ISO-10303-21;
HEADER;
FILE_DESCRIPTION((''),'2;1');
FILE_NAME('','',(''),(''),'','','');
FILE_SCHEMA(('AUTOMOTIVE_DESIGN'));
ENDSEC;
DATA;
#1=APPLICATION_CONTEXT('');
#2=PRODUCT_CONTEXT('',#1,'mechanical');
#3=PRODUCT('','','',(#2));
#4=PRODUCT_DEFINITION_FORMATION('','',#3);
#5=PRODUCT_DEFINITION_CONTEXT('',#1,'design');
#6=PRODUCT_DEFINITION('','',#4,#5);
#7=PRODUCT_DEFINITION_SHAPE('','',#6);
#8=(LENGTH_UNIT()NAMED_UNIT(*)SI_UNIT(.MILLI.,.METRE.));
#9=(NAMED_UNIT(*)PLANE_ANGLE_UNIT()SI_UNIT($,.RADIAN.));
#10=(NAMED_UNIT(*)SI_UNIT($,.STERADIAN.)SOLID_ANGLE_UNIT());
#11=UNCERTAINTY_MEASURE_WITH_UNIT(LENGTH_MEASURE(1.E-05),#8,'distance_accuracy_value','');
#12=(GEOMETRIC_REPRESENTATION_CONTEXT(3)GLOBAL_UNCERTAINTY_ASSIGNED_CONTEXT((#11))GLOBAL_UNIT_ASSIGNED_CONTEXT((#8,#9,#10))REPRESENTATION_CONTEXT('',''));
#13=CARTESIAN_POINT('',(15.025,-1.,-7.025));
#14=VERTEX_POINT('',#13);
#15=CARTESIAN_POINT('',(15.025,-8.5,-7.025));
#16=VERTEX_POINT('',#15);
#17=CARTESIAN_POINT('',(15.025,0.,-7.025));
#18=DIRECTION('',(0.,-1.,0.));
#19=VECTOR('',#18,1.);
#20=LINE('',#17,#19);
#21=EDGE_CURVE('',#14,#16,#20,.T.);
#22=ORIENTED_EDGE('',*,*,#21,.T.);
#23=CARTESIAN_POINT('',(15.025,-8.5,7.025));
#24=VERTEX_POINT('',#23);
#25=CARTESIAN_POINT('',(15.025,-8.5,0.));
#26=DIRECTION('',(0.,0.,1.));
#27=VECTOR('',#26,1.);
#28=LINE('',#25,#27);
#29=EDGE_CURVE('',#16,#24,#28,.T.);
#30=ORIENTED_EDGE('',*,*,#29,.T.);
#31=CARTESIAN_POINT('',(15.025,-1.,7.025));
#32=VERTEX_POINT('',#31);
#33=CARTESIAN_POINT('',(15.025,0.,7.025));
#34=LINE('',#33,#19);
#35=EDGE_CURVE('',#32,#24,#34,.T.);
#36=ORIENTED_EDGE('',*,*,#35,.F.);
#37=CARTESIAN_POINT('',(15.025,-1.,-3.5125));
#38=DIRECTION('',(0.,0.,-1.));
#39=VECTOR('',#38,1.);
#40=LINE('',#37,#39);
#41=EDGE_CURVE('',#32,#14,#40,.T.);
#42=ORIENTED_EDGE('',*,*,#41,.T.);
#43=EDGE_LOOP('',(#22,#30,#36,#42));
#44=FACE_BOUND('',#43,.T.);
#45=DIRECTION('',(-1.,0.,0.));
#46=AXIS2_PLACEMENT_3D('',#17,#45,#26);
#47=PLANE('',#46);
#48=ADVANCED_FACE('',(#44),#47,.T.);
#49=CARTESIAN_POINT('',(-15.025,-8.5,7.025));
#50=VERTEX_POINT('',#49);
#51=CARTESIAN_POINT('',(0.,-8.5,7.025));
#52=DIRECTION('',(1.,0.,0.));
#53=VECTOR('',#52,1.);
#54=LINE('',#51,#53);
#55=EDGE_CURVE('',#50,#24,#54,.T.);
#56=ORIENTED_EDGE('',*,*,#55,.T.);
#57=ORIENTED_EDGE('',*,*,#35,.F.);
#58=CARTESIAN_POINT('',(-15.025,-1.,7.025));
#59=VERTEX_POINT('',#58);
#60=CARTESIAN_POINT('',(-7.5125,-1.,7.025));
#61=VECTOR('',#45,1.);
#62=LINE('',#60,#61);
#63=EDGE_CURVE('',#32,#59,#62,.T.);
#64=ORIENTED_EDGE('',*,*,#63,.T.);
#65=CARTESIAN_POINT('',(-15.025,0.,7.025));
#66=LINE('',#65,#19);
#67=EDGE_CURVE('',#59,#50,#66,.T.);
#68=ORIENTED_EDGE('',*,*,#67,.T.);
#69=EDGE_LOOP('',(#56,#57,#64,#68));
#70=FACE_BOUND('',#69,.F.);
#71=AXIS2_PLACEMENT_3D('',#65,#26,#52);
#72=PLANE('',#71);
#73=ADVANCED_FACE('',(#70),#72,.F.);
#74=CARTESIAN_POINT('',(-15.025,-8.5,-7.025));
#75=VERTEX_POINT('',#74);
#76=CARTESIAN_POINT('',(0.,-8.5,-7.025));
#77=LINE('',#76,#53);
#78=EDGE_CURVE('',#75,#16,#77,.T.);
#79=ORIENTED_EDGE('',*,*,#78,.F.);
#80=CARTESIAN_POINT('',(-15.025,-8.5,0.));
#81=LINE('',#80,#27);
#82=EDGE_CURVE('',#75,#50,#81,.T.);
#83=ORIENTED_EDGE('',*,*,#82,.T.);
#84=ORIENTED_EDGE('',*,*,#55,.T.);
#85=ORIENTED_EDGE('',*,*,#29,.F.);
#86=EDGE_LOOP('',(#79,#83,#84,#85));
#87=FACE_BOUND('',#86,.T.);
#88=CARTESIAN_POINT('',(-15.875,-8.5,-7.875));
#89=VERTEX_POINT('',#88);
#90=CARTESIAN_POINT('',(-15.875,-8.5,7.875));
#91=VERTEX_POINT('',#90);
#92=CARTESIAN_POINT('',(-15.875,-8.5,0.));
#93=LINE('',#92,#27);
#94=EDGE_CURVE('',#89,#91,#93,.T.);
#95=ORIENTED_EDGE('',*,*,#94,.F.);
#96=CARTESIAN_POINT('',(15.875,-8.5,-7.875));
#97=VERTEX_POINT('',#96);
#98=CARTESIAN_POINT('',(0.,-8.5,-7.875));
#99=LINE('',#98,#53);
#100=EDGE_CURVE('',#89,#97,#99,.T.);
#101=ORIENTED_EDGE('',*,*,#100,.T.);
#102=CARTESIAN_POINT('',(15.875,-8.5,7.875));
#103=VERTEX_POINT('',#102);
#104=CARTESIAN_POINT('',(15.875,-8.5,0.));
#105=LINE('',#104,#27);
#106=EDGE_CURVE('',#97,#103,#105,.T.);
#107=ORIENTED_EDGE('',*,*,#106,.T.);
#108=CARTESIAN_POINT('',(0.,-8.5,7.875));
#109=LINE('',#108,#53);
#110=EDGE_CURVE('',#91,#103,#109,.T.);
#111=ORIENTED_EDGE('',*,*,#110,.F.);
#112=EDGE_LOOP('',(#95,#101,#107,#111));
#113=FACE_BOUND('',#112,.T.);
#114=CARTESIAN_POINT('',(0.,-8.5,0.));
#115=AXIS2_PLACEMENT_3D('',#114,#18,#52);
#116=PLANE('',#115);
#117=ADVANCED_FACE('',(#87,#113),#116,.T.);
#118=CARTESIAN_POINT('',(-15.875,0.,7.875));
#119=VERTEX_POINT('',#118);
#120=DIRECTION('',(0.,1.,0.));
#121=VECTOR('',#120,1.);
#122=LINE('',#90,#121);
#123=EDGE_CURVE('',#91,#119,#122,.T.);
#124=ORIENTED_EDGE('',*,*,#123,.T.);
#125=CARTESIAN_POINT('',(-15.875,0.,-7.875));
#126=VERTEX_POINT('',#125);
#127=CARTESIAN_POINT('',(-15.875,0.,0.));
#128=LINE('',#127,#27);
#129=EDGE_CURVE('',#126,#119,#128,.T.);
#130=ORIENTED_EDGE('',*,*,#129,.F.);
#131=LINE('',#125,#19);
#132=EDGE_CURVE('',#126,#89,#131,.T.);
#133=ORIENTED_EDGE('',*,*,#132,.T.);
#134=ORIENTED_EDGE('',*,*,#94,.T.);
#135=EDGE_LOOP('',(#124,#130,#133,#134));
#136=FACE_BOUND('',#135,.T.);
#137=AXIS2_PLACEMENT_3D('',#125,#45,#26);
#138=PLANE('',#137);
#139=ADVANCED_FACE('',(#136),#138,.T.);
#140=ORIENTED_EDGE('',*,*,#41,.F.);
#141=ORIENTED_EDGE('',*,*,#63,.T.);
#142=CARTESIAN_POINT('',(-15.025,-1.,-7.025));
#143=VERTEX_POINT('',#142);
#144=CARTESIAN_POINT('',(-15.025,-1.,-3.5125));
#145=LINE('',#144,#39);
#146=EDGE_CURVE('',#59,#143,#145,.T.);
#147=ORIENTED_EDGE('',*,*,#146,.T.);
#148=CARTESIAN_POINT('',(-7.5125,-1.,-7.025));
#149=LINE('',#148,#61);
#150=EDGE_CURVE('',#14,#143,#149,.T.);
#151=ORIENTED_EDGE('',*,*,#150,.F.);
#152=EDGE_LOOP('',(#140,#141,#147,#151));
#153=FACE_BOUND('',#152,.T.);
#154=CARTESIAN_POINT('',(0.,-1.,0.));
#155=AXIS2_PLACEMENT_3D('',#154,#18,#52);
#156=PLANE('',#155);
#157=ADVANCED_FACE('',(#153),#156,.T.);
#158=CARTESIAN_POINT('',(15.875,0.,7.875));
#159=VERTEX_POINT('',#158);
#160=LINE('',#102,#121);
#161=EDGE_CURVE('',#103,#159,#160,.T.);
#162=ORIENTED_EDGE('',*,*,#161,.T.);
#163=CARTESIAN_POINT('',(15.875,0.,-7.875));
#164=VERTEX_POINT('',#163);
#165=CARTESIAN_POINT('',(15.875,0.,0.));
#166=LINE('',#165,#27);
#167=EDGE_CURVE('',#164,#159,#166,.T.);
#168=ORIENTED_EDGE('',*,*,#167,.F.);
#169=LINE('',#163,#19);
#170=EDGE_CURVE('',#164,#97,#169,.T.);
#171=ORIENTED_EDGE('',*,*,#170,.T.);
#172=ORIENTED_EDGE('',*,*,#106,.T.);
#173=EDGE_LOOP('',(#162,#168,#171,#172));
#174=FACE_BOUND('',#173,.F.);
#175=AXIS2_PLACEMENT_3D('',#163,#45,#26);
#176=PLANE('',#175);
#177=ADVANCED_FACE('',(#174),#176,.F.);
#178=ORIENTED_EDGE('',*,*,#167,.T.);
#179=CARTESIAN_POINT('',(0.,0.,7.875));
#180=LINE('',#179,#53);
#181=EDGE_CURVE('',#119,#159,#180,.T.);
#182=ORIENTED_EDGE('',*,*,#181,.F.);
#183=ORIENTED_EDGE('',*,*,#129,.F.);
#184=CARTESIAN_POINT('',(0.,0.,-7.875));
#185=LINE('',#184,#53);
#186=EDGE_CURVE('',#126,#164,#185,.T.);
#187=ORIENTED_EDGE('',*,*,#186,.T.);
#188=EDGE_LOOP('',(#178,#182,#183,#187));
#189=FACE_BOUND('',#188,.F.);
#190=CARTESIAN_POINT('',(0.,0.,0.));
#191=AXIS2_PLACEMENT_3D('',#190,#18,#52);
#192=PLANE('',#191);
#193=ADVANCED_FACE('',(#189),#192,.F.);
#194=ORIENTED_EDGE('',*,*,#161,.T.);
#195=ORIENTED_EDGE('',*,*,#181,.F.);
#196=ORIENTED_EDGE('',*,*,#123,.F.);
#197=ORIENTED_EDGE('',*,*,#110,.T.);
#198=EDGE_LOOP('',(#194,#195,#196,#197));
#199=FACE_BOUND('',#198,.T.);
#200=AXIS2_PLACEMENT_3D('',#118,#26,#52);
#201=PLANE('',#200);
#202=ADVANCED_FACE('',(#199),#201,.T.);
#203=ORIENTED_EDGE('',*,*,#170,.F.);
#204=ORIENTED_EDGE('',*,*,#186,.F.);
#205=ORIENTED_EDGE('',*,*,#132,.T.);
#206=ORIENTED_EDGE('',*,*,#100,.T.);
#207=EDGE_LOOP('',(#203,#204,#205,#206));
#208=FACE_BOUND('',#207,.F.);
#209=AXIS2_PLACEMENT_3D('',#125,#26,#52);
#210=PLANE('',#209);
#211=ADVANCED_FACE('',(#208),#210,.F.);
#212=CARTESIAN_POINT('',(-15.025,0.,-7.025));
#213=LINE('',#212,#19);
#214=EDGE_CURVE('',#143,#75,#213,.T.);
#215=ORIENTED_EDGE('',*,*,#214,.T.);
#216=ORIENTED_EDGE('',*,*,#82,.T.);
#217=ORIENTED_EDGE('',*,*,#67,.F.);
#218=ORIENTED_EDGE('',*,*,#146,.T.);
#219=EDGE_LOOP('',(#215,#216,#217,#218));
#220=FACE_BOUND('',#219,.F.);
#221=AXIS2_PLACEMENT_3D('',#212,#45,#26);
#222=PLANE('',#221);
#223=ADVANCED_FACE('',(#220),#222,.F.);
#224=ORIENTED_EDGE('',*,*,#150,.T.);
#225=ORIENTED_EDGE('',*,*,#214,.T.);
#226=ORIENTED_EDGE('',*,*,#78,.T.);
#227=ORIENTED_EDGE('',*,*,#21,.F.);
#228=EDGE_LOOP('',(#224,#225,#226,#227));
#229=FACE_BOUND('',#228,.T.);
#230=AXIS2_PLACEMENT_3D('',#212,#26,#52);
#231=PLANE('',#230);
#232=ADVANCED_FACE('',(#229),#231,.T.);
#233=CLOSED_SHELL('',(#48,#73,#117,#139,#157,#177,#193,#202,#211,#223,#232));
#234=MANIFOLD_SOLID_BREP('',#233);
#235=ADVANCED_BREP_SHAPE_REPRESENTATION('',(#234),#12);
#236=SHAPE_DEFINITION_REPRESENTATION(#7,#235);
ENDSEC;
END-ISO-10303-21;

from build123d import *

# Parameters (mm, degrees)
F0_W     = 31.75
F0_H     = 15.75
F0_W_2   = 30.05
F0_H_2   = 14.05
F1_DEPTH = 1
F2_DEPTH = 8.5


with BuildPart() as f1:
    # F0 (on Front) → F1 (new body)
    with BuildSketch(Plane.XZ):
        Rectangle(F0_W, F0_H)
        Rectangle(F0_W_2, F0_H_2, mode=Mode.SUBTRACT)
        Rectangle(F0_W_2, F0_H_2)
    extrude(amount=F1_DEPTH)

    # F0 (on Front) → F2 (join)
    with BuildSketch(Plane.XZ):
        Rectangle(F0_W, F0_H)
        Rectangle(F0_W_2, F0_H_2, mode=Mode.SUBTRACT)
    extrude(amount=F2_DEPTH)


solid = f1.part
